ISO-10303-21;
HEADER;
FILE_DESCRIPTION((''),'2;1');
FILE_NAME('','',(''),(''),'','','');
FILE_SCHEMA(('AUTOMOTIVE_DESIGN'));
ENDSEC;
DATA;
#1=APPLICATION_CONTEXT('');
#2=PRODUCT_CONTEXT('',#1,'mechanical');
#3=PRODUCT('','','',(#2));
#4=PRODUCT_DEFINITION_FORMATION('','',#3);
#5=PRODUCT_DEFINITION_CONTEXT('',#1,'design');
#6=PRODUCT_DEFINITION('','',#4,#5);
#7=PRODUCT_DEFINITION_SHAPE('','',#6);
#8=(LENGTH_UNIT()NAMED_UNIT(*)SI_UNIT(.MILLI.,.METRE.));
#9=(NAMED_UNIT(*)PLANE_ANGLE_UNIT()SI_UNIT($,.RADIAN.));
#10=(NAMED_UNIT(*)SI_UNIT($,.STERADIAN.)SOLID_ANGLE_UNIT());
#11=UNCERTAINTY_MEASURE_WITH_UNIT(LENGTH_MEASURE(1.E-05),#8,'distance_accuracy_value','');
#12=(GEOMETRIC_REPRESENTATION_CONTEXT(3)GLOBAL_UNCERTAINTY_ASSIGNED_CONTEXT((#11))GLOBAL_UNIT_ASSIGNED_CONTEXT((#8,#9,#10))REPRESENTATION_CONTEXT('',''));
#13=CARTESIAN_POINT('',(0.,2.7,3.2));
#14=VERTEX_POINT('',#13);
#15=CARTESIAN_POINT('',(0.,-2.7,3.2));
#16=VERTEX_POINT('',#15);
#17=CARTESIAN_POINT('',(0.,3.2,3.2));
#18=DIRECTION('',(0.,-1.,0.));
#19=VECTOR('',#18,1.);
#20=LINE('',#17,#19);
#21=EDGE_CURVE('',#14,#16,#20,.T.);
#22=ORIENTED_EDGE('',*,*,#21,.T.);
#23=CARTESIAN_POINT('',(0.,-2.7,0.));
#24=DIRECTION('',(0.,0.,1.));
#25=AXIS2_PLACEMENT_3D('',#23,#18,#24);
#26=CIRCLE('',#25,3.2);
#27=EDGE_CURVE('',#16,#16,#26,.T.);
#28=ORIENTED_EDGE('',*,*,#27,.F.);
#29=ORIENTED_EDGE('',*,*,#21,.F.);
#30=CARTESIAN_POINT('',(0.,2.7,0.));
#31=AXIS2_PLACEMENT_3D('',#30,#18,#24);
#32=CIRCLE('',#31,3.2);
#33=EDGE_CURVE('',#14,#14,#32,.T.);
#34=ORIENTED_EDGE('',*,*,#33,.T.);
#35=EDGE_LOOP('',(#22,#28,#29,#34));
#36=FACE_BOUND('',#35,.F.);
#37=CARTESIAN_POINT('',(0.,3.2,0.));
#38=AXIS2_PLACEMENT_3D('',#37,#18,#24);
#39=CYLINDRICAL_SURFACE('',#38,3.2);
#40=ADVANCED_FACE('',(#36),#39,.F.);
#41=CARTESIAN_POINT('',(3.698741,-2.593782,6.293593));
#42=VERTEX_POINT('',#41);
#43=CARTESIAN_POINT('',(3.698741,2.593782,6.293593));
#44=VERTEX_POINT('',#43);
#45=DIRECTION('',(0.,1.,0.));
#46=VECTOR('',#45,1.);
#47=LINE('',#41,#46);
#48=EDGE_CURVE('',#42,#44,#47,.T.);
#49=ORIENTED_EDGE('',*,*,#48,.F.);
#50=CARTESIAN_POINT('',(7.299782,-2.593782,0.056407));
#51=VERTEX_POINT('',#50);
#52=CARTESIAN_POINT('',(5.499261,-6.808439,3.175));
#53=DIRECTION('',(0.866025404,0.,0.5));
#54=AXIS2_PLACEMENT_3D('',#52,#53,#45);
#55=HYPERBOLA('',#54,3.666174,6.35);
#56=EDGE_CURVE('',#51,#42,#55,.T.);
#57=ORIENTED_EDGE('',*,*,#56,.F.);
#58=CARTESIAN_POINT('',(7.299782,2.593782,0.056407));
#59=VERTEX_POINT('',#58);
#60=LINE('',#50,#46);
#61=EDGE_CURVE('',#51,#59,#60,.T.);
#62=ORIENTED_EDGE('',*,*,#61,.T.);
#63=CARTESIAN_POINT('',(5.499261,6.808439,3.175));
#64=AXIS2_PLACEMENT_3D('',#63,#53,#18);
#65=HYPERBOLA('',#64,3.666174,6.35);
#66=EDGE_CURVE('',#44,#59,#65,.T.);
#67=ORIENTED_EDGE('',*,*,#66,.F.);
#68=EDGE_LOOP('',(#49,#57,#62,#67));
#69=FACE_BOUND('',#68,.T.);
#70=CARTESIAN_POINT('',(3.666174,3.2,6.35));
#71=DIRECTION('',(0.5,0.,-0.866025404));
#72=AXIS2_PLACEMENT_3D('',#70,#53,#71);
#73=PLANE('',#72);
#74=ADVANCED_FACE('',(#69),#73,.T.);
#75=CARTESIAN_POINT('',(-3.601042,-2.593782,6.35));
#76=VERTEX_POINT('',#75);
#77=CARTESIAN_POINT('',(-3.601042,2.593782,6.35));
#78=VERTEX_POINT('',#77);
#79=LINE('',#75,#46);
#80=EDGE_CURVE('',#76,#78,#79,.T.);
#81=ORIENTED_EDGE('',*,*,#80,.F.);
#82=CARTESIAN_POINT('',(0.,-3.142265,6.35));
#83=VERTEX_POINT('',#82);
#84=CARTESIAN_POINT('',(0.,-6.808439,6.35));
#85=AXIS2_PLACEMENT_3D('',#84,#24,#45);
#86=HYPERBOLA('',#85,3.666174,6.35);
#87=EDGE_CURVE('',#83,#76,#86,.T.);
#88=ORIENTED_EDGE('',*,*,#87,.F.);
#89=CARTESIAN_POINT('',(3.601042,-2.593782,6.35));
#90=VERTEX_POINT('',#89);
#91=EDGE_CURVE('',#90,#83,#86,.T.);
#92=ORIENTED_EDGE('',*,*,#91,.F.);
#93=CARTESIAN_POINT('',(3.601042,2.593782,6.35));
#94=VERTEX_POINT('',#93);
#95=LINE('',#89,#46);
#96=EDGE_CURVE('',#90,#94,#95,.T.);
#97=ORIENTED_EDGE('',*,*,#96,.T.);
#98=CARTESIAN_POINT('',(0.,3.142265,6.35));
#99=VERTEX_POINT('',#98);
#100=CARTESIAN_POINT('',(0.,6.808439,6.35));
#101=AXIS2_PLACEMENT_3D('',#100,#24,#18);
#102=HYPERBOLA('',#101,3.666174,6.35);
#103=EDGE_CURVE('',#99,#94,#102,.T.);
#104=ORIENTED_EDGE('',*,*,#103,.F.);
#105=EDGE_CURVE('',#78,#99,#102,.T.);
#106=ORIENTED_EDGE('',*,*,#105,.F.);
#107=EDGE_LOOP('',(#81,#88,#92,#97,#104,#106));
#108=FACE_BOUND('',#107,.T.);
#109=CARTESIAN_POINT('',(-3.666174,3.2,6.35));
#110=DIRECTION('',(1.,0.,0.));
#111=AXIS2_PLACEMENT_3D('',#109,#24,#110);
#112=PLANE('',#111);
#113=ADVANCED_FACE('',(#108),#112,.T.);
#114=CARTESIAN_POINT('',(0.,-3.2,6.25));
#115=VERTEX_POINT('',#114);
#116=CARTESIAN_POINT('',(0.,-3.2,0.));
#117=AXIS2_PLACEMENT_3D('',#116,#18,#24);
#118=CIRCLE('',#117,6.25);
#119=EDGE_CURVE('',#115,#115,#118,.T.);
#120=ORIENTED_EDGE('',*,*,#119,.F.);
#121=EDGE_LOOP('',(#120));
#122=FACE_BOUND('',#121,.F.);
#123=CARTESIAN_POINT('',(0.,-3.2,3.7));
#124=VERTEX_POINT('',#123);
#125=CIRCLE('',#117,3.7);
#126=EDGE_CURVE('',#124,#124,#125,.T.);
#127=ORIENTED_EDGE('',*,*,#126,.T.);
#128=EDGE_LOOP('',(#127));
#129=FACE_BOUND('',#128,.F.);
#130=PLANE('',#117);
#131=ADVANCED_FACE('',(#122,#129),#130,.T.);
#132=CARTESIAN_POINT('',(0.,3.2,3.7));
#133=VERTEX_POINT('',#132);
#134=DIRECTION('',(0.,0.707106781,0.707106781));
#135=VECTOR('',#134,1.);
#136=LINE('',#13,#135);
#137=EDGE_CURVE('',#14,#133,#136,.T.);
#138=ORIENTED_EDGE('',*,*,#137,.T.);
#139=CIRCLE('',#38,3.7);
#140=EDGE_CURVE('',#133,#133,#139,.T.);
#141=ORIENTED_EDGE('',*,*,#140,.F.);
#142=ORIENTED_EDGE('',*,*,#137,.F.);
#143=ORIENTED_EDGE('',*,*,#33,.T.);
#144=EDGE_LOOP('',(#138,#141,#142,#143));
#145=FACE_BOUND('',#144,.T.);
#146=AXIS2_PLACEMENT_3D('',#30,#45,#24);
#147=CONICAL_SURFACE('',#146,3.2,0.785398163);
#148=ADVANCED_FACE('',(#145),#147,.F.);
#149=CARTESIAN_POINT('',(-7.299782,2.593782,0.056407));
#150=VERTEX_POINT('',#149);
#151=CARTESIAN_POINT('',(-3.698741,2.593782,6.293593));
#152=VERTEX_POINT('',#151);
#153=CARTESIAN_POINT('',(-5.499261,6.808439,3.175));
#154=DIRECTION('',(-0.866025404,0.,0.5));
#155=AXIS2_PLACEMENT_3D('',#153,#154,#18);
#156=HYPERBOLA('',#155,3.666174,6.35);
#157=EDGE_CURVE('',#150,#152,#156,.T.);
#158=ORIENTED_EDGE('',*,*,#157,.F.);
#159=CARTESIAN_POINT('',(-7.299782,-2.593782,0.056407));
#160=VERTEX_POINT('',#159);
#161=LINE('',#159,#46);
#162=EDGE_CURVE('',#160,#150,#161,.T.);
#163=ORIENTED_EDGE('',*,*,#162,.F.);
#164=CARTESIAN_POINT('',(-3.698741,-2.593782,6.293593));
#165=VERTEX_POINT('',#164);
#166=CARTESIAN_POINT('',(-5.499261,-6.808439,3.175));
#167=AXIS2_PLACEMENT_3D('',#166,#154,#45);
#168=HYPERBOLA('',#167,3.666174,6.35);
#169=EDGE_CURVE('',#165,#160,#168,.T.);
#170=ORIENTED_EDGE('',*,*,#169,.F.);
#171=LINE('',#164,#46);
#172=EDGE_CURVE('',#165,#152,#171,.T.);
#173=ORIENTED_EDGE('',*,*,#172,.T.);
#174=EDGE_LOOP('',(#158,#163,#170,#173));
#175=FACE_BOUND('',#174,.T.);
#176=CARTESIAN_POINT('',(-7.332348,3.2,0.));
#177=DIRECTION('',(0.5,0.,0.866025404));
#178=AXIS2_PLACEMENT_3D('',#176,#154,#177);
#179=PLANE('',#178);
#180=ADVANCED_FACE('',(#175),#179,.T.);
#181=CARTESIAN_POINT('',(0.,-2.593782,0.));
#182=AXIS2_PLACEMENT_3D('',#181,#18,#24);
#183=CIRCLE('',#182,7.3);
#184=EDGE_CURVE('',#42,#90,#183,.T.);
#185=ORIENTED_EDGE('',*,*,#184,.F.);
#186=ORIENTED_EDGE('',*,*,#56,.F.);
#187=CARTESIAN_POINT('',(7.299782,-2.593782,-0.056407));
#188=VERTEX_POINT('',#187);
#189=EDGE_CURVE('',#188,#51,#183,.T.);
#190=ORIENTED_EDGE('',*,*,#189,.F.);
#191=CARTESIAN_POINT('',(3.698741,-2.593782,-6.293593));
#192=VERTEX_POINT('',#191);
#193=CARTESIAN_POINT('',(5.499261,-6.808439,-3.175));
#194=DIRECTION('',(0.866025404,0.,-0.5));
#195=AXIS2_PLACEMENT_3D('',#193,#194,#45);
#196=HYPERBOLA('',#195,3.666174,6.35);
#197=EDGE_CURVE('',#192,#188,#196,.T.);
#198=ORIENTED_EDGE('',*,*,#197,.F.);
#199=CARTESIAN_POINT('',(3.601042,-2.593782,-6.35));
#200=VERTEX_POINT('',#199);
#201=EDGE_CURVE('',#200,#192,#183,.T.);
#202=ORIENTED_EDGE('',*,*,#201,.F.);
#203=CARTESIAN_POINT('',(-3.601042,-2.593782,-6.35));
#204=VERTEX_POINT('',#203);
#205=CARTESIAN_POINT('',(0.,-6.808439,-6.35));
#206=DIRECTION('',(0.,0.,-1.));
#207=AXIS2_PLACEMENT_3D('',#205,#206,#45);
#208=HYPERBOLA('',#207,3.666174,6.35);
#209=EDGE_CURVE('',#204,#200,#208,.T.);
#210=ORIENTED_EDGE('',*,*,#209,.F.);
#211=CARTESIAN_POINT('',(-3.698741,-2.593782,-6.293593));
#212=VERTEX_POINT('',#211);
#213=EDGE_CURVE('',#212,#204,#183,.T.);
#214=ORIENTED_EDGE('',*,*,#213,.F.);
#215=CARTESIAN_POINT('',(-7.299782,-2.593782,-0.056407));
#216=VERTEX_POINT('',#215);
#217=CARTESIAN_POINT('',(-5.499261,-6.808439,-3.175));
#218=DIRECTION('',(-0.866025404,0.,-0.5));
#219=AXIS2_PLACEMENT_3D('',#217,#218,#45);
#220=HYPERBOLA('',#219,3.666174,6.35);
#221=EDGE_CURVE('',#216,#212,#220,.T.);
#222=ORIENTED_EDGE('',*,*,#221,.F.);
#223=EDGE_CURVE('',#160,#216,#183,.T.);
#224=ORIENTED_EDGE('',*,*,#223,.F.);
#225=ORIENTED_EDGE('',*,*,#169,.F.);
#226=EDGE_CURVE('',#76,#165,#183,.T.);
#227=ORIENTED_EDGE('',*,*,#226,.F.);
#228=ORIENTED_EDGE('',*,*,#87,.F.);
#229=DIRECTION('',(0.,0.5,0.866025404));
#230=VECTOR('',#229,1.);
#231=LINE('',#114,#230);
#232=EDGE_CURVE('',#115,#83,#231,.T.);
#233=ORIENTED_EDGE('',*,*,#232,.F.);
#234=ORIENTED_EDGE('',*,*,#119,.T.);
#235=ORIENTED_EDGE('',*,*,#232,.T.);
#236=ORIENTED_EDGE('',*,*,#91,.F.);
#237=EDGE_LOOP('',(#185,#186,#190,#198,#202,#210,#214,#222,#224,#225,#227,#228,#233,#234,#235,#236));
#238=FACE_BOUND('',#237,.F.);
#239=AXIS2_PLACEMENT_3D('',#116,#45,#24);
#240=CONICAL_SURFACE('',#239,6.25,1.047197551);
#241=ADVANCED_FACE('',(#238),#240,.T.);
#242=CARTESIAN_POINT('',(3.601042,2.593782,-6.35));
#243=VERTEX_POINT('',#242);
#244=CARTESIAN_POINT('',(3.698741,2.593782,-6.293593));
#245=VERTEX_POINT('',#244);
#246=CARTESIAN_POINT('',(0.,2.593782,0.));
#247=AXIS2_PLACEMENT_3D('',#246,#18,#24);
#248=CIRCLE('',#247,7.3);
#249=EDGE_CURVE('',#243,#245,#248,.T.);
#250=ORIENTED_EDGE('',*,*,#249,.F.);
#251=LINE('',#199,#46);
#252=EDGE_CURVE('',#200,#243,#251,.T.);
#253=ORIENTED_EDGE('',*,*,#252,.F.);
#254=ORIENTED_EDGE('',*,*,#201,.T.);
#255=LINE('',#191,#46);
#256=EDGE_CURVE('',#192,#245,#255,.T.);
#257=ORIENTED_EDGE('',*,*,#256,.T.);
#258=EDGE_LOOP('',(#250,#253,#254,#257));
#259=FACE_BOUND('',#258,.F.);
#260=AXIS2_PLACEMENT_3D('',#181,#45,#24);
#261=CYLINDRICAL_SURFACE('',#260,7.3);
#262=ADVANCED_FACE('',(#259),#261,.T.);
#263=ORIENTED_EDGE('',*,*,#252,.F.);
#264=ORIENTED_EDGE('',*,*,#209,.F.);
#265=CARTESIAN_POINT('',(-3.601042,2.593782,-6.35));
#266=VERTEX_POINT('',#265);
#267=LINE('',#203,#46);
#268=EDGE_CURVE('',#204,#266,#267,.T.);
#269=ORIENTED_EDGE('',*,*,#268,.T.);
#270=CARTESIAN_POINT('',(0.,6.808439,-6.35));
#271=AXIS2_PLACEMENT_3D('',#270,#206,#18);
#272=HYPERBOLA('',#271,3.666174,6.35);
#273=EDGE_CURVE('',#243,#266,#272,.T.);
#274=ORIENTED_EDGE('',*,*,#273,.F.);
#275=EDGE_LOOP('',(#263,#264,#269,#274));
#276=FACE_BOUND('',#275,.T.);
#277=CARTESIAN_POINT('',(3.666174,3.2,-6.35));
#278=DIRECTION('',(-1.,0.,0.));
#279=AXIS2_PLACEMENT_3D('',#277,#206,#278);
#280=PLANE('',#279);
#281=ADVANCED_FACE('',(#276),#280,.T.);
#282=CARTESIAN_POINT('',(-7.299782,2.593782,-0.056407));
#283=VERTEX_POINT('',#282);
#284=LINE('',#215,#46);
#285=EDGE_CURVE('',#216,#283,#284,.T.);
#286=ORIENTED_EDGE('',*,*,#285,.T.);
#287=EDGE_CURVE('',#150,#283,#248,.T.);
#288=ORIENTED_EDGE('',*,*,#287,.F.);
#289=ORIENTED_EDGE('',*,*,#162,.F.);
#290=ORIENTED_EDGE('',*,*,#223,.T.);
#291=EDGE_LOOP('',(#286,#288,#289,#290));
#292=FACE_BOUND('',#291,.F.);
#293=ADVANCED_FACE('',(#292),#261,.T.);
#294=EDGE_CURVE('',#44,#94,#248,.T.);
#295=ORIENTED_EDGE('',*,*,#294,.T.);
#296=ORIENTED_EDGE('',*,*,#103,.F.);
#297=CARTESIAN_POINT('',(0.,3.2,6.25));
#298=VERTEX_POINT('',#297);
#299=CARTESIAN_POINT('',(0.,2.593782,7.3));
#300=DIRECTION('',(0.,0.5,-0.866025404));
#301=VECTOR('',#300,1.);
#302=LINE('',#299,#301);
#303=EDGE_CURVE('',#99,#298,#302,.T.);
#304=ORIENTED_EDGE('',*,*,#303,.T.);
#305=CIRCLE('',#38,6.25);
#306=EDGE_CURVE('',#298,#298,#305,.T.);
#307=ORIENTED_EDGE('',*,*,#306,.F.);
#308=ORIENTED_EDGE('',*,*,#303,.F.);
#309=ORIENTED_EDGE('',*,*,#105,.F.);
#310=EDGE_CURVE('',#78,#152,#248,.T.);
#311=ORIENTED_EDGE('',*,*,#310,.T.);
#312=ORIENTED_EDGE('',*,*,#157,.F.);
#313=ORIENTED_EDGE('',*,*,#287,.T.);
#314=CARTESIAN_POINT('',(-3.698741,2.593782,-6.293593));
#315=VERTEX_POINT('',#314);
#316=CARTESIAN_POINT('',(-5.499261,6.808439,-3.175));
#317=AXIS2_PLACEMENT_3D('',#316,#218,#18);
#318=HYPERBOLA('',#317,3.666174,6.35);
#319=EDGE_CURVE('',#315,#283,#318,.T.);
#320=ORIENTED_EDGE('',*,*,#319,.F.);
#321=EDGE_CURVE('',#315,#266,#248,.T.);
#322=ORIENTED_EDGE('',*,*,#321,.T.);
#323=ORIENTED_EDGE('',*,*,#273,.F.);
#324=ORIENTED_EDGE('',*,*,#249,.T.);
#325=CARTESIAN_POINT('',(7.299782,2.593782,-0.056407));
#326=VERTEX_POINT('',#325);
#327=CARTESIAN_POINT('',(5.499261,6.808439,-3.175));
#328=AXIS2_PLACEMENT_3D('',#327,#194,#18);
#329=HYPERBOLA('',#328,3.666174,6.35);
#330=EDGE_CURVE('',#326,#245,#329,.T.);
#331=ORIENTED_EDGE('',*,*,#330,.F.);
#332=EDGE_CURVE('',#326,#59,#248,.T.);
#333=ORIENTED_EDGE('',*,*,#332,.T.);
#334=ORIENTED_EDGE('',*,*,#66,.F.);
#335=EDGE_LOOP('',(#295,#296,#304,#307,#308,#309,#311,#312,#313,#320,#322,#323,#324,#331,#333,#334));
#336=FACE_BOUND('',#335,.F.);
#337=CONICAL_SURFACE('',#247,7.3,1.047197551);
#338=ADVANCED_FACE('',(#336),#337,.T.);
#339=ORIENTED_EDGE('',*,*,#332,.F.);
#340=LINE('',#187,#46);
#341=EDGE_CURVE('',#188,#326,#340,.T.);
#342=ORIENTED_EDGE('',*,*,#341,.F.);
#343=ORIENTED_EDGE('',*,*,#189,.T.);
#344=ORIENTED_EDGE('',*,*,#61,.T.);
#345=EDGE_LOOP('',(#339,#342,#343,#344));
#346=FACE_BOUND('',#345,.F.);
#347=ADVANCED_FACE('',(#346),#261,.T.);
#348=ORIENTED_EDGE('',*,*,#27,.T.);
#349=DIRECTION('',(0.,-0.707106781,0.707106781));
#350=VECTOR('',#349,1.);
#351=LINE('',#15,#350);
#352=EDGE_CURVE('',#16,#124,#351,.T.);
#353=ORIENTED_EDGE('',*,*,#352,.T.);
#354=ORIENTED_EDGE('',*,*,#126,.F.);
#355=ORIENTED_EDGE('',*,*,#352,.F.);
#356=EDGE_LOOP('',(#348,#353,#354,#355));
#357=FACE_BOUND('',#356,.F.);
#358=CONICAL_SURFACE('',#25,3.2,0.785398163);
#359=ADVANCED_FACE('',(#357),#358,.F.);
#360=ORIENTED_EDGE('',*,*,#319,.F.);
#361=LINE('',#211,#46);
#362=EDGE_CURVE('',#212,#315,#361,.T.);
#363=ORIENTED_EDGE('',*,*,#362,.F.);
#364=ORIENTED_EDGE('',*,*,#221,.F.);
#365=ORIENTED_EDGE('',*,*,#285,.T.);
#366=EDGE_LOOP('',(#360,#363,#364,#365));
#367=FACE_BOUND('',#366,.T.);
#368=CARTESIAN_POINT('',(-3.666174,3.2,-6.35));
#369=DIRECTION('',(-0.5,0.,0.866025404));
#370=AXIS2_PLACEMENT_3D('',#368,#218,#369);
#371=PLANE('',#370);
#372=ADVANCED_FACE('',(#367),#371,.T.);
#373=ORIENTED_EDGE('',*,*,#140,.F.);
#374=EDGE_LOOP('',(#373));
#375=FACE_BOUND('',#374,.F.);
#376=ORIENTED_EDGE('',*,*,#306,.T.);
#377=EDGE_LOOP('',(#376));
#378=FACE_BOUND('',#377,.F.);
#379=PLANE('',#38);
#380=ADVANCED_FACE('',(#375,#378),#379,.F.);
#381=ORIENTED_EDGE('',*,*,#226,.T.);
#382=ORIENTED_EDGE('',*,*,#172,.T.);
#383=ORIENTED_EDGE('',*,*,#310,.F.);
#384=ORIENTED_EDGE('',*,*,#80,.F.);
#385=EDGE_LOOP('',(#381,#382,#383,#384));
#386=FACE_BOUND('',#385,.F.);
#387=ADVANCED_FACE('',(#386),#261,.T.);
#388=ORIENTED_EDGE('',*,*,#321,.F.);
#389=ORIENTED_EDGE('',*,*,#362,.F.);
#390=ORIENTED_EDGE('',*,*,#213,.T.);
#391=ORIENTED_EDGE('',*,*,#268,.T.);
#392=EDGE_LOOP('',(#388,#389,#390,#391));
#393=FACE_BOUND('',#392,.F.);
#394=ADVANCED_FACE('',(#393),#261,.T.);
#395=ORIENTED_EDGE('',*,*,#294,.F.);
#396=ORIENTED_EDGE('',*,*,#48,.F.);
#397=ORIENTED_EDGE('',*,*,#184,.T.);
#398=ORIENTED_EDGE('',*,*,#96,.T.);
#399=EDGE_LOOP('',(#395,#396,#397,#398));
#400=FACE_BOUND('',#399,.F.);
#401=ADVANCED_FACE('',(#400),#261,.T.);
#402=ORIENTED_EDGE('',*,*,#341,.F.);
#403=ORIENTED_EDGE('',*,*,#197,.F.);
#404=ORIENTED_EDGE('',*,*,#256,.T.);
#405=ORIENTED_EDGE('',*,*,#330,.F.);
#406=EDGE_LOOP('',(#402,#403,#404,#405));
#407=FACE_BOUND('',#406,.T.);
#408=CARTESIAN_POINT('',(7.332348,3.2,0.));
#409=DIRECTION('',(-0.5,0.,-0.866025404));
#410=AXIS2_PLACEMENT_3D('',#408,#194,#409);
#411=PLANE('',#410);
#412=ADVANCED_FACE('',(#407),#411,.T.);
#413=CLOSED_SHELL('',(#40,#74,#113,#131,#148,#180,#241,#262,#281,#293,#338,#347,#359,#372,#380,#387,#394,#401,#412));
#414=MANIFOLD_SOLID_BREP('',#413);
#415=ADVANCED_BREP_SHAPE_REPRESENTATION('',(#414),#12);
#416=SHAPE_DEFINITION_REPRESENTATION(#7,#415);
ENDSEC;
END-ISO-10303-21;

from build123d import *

# Parameters (mm, degrees)
SKETCH2_OUTSIDE_W  = 20.924
SKETCH2_OUTSIDE_H  = 20.924
CUT_EXTRUDE1_DEPTH = 6.4
CHAMFER1_SIZE      = 0.5


with BuildPart() as part:
    # Sketch1 → Revolve1 (revolve)
    with BuildSketch(Plane(origin=(0, 0, 0), x_dir=(0, 0, -1), z_dir=(1, 0, 0)), mode=Mode.PRIVATE) as revolve1_sk:
        Polygon((3.2, 3.2), (3.2, -3.2), (6.25, -3.2), (7.3, -2.593782217), (7.3, 2.593782217), (6.25, 3.2), align=None)
    revolve(revolve1_sk.sketch.rotate(Axis((0, 12.02962963, 0), (0, -1, 0)), 180), axis=Axis((0, 12.02962963, 0), (0, -1, 0)))

    # Sketch2 outside → Cut-Extrude1 (cut)
    with BuildSketch(Plane(origin=(0, 3.2, 0), x_dir=(1, 0, 0), z_dir=(0, 1, 0))):
        Rectangle(SKETCH2_OUTSIDE_W, SKETCH2_OUTSIDE_H)
        Polygon((7.332348419, 0), (3.666174209, 6.35), (-3.666174209, 6.35), (-7.332348419, 0), (-3.666174209, -6.35), (3.666174209, -6.35), align=None, mode=Mode.SUBTRACT)
    extrude(amount=-CUT_EXTRUDE1_DEPTH, mode=Mode.SUBTRACT)

    # Chamfer1
    chamfer1_edges = [part.edges().sort_by_distance(p)[0] for p in [
        (0, -3.2, -3.2),
        (0, 3.2, -3.2),
    ]]
    chamfer(chamfer1_edges, length=CHAMFER1_SIZE)


solid = part.part
